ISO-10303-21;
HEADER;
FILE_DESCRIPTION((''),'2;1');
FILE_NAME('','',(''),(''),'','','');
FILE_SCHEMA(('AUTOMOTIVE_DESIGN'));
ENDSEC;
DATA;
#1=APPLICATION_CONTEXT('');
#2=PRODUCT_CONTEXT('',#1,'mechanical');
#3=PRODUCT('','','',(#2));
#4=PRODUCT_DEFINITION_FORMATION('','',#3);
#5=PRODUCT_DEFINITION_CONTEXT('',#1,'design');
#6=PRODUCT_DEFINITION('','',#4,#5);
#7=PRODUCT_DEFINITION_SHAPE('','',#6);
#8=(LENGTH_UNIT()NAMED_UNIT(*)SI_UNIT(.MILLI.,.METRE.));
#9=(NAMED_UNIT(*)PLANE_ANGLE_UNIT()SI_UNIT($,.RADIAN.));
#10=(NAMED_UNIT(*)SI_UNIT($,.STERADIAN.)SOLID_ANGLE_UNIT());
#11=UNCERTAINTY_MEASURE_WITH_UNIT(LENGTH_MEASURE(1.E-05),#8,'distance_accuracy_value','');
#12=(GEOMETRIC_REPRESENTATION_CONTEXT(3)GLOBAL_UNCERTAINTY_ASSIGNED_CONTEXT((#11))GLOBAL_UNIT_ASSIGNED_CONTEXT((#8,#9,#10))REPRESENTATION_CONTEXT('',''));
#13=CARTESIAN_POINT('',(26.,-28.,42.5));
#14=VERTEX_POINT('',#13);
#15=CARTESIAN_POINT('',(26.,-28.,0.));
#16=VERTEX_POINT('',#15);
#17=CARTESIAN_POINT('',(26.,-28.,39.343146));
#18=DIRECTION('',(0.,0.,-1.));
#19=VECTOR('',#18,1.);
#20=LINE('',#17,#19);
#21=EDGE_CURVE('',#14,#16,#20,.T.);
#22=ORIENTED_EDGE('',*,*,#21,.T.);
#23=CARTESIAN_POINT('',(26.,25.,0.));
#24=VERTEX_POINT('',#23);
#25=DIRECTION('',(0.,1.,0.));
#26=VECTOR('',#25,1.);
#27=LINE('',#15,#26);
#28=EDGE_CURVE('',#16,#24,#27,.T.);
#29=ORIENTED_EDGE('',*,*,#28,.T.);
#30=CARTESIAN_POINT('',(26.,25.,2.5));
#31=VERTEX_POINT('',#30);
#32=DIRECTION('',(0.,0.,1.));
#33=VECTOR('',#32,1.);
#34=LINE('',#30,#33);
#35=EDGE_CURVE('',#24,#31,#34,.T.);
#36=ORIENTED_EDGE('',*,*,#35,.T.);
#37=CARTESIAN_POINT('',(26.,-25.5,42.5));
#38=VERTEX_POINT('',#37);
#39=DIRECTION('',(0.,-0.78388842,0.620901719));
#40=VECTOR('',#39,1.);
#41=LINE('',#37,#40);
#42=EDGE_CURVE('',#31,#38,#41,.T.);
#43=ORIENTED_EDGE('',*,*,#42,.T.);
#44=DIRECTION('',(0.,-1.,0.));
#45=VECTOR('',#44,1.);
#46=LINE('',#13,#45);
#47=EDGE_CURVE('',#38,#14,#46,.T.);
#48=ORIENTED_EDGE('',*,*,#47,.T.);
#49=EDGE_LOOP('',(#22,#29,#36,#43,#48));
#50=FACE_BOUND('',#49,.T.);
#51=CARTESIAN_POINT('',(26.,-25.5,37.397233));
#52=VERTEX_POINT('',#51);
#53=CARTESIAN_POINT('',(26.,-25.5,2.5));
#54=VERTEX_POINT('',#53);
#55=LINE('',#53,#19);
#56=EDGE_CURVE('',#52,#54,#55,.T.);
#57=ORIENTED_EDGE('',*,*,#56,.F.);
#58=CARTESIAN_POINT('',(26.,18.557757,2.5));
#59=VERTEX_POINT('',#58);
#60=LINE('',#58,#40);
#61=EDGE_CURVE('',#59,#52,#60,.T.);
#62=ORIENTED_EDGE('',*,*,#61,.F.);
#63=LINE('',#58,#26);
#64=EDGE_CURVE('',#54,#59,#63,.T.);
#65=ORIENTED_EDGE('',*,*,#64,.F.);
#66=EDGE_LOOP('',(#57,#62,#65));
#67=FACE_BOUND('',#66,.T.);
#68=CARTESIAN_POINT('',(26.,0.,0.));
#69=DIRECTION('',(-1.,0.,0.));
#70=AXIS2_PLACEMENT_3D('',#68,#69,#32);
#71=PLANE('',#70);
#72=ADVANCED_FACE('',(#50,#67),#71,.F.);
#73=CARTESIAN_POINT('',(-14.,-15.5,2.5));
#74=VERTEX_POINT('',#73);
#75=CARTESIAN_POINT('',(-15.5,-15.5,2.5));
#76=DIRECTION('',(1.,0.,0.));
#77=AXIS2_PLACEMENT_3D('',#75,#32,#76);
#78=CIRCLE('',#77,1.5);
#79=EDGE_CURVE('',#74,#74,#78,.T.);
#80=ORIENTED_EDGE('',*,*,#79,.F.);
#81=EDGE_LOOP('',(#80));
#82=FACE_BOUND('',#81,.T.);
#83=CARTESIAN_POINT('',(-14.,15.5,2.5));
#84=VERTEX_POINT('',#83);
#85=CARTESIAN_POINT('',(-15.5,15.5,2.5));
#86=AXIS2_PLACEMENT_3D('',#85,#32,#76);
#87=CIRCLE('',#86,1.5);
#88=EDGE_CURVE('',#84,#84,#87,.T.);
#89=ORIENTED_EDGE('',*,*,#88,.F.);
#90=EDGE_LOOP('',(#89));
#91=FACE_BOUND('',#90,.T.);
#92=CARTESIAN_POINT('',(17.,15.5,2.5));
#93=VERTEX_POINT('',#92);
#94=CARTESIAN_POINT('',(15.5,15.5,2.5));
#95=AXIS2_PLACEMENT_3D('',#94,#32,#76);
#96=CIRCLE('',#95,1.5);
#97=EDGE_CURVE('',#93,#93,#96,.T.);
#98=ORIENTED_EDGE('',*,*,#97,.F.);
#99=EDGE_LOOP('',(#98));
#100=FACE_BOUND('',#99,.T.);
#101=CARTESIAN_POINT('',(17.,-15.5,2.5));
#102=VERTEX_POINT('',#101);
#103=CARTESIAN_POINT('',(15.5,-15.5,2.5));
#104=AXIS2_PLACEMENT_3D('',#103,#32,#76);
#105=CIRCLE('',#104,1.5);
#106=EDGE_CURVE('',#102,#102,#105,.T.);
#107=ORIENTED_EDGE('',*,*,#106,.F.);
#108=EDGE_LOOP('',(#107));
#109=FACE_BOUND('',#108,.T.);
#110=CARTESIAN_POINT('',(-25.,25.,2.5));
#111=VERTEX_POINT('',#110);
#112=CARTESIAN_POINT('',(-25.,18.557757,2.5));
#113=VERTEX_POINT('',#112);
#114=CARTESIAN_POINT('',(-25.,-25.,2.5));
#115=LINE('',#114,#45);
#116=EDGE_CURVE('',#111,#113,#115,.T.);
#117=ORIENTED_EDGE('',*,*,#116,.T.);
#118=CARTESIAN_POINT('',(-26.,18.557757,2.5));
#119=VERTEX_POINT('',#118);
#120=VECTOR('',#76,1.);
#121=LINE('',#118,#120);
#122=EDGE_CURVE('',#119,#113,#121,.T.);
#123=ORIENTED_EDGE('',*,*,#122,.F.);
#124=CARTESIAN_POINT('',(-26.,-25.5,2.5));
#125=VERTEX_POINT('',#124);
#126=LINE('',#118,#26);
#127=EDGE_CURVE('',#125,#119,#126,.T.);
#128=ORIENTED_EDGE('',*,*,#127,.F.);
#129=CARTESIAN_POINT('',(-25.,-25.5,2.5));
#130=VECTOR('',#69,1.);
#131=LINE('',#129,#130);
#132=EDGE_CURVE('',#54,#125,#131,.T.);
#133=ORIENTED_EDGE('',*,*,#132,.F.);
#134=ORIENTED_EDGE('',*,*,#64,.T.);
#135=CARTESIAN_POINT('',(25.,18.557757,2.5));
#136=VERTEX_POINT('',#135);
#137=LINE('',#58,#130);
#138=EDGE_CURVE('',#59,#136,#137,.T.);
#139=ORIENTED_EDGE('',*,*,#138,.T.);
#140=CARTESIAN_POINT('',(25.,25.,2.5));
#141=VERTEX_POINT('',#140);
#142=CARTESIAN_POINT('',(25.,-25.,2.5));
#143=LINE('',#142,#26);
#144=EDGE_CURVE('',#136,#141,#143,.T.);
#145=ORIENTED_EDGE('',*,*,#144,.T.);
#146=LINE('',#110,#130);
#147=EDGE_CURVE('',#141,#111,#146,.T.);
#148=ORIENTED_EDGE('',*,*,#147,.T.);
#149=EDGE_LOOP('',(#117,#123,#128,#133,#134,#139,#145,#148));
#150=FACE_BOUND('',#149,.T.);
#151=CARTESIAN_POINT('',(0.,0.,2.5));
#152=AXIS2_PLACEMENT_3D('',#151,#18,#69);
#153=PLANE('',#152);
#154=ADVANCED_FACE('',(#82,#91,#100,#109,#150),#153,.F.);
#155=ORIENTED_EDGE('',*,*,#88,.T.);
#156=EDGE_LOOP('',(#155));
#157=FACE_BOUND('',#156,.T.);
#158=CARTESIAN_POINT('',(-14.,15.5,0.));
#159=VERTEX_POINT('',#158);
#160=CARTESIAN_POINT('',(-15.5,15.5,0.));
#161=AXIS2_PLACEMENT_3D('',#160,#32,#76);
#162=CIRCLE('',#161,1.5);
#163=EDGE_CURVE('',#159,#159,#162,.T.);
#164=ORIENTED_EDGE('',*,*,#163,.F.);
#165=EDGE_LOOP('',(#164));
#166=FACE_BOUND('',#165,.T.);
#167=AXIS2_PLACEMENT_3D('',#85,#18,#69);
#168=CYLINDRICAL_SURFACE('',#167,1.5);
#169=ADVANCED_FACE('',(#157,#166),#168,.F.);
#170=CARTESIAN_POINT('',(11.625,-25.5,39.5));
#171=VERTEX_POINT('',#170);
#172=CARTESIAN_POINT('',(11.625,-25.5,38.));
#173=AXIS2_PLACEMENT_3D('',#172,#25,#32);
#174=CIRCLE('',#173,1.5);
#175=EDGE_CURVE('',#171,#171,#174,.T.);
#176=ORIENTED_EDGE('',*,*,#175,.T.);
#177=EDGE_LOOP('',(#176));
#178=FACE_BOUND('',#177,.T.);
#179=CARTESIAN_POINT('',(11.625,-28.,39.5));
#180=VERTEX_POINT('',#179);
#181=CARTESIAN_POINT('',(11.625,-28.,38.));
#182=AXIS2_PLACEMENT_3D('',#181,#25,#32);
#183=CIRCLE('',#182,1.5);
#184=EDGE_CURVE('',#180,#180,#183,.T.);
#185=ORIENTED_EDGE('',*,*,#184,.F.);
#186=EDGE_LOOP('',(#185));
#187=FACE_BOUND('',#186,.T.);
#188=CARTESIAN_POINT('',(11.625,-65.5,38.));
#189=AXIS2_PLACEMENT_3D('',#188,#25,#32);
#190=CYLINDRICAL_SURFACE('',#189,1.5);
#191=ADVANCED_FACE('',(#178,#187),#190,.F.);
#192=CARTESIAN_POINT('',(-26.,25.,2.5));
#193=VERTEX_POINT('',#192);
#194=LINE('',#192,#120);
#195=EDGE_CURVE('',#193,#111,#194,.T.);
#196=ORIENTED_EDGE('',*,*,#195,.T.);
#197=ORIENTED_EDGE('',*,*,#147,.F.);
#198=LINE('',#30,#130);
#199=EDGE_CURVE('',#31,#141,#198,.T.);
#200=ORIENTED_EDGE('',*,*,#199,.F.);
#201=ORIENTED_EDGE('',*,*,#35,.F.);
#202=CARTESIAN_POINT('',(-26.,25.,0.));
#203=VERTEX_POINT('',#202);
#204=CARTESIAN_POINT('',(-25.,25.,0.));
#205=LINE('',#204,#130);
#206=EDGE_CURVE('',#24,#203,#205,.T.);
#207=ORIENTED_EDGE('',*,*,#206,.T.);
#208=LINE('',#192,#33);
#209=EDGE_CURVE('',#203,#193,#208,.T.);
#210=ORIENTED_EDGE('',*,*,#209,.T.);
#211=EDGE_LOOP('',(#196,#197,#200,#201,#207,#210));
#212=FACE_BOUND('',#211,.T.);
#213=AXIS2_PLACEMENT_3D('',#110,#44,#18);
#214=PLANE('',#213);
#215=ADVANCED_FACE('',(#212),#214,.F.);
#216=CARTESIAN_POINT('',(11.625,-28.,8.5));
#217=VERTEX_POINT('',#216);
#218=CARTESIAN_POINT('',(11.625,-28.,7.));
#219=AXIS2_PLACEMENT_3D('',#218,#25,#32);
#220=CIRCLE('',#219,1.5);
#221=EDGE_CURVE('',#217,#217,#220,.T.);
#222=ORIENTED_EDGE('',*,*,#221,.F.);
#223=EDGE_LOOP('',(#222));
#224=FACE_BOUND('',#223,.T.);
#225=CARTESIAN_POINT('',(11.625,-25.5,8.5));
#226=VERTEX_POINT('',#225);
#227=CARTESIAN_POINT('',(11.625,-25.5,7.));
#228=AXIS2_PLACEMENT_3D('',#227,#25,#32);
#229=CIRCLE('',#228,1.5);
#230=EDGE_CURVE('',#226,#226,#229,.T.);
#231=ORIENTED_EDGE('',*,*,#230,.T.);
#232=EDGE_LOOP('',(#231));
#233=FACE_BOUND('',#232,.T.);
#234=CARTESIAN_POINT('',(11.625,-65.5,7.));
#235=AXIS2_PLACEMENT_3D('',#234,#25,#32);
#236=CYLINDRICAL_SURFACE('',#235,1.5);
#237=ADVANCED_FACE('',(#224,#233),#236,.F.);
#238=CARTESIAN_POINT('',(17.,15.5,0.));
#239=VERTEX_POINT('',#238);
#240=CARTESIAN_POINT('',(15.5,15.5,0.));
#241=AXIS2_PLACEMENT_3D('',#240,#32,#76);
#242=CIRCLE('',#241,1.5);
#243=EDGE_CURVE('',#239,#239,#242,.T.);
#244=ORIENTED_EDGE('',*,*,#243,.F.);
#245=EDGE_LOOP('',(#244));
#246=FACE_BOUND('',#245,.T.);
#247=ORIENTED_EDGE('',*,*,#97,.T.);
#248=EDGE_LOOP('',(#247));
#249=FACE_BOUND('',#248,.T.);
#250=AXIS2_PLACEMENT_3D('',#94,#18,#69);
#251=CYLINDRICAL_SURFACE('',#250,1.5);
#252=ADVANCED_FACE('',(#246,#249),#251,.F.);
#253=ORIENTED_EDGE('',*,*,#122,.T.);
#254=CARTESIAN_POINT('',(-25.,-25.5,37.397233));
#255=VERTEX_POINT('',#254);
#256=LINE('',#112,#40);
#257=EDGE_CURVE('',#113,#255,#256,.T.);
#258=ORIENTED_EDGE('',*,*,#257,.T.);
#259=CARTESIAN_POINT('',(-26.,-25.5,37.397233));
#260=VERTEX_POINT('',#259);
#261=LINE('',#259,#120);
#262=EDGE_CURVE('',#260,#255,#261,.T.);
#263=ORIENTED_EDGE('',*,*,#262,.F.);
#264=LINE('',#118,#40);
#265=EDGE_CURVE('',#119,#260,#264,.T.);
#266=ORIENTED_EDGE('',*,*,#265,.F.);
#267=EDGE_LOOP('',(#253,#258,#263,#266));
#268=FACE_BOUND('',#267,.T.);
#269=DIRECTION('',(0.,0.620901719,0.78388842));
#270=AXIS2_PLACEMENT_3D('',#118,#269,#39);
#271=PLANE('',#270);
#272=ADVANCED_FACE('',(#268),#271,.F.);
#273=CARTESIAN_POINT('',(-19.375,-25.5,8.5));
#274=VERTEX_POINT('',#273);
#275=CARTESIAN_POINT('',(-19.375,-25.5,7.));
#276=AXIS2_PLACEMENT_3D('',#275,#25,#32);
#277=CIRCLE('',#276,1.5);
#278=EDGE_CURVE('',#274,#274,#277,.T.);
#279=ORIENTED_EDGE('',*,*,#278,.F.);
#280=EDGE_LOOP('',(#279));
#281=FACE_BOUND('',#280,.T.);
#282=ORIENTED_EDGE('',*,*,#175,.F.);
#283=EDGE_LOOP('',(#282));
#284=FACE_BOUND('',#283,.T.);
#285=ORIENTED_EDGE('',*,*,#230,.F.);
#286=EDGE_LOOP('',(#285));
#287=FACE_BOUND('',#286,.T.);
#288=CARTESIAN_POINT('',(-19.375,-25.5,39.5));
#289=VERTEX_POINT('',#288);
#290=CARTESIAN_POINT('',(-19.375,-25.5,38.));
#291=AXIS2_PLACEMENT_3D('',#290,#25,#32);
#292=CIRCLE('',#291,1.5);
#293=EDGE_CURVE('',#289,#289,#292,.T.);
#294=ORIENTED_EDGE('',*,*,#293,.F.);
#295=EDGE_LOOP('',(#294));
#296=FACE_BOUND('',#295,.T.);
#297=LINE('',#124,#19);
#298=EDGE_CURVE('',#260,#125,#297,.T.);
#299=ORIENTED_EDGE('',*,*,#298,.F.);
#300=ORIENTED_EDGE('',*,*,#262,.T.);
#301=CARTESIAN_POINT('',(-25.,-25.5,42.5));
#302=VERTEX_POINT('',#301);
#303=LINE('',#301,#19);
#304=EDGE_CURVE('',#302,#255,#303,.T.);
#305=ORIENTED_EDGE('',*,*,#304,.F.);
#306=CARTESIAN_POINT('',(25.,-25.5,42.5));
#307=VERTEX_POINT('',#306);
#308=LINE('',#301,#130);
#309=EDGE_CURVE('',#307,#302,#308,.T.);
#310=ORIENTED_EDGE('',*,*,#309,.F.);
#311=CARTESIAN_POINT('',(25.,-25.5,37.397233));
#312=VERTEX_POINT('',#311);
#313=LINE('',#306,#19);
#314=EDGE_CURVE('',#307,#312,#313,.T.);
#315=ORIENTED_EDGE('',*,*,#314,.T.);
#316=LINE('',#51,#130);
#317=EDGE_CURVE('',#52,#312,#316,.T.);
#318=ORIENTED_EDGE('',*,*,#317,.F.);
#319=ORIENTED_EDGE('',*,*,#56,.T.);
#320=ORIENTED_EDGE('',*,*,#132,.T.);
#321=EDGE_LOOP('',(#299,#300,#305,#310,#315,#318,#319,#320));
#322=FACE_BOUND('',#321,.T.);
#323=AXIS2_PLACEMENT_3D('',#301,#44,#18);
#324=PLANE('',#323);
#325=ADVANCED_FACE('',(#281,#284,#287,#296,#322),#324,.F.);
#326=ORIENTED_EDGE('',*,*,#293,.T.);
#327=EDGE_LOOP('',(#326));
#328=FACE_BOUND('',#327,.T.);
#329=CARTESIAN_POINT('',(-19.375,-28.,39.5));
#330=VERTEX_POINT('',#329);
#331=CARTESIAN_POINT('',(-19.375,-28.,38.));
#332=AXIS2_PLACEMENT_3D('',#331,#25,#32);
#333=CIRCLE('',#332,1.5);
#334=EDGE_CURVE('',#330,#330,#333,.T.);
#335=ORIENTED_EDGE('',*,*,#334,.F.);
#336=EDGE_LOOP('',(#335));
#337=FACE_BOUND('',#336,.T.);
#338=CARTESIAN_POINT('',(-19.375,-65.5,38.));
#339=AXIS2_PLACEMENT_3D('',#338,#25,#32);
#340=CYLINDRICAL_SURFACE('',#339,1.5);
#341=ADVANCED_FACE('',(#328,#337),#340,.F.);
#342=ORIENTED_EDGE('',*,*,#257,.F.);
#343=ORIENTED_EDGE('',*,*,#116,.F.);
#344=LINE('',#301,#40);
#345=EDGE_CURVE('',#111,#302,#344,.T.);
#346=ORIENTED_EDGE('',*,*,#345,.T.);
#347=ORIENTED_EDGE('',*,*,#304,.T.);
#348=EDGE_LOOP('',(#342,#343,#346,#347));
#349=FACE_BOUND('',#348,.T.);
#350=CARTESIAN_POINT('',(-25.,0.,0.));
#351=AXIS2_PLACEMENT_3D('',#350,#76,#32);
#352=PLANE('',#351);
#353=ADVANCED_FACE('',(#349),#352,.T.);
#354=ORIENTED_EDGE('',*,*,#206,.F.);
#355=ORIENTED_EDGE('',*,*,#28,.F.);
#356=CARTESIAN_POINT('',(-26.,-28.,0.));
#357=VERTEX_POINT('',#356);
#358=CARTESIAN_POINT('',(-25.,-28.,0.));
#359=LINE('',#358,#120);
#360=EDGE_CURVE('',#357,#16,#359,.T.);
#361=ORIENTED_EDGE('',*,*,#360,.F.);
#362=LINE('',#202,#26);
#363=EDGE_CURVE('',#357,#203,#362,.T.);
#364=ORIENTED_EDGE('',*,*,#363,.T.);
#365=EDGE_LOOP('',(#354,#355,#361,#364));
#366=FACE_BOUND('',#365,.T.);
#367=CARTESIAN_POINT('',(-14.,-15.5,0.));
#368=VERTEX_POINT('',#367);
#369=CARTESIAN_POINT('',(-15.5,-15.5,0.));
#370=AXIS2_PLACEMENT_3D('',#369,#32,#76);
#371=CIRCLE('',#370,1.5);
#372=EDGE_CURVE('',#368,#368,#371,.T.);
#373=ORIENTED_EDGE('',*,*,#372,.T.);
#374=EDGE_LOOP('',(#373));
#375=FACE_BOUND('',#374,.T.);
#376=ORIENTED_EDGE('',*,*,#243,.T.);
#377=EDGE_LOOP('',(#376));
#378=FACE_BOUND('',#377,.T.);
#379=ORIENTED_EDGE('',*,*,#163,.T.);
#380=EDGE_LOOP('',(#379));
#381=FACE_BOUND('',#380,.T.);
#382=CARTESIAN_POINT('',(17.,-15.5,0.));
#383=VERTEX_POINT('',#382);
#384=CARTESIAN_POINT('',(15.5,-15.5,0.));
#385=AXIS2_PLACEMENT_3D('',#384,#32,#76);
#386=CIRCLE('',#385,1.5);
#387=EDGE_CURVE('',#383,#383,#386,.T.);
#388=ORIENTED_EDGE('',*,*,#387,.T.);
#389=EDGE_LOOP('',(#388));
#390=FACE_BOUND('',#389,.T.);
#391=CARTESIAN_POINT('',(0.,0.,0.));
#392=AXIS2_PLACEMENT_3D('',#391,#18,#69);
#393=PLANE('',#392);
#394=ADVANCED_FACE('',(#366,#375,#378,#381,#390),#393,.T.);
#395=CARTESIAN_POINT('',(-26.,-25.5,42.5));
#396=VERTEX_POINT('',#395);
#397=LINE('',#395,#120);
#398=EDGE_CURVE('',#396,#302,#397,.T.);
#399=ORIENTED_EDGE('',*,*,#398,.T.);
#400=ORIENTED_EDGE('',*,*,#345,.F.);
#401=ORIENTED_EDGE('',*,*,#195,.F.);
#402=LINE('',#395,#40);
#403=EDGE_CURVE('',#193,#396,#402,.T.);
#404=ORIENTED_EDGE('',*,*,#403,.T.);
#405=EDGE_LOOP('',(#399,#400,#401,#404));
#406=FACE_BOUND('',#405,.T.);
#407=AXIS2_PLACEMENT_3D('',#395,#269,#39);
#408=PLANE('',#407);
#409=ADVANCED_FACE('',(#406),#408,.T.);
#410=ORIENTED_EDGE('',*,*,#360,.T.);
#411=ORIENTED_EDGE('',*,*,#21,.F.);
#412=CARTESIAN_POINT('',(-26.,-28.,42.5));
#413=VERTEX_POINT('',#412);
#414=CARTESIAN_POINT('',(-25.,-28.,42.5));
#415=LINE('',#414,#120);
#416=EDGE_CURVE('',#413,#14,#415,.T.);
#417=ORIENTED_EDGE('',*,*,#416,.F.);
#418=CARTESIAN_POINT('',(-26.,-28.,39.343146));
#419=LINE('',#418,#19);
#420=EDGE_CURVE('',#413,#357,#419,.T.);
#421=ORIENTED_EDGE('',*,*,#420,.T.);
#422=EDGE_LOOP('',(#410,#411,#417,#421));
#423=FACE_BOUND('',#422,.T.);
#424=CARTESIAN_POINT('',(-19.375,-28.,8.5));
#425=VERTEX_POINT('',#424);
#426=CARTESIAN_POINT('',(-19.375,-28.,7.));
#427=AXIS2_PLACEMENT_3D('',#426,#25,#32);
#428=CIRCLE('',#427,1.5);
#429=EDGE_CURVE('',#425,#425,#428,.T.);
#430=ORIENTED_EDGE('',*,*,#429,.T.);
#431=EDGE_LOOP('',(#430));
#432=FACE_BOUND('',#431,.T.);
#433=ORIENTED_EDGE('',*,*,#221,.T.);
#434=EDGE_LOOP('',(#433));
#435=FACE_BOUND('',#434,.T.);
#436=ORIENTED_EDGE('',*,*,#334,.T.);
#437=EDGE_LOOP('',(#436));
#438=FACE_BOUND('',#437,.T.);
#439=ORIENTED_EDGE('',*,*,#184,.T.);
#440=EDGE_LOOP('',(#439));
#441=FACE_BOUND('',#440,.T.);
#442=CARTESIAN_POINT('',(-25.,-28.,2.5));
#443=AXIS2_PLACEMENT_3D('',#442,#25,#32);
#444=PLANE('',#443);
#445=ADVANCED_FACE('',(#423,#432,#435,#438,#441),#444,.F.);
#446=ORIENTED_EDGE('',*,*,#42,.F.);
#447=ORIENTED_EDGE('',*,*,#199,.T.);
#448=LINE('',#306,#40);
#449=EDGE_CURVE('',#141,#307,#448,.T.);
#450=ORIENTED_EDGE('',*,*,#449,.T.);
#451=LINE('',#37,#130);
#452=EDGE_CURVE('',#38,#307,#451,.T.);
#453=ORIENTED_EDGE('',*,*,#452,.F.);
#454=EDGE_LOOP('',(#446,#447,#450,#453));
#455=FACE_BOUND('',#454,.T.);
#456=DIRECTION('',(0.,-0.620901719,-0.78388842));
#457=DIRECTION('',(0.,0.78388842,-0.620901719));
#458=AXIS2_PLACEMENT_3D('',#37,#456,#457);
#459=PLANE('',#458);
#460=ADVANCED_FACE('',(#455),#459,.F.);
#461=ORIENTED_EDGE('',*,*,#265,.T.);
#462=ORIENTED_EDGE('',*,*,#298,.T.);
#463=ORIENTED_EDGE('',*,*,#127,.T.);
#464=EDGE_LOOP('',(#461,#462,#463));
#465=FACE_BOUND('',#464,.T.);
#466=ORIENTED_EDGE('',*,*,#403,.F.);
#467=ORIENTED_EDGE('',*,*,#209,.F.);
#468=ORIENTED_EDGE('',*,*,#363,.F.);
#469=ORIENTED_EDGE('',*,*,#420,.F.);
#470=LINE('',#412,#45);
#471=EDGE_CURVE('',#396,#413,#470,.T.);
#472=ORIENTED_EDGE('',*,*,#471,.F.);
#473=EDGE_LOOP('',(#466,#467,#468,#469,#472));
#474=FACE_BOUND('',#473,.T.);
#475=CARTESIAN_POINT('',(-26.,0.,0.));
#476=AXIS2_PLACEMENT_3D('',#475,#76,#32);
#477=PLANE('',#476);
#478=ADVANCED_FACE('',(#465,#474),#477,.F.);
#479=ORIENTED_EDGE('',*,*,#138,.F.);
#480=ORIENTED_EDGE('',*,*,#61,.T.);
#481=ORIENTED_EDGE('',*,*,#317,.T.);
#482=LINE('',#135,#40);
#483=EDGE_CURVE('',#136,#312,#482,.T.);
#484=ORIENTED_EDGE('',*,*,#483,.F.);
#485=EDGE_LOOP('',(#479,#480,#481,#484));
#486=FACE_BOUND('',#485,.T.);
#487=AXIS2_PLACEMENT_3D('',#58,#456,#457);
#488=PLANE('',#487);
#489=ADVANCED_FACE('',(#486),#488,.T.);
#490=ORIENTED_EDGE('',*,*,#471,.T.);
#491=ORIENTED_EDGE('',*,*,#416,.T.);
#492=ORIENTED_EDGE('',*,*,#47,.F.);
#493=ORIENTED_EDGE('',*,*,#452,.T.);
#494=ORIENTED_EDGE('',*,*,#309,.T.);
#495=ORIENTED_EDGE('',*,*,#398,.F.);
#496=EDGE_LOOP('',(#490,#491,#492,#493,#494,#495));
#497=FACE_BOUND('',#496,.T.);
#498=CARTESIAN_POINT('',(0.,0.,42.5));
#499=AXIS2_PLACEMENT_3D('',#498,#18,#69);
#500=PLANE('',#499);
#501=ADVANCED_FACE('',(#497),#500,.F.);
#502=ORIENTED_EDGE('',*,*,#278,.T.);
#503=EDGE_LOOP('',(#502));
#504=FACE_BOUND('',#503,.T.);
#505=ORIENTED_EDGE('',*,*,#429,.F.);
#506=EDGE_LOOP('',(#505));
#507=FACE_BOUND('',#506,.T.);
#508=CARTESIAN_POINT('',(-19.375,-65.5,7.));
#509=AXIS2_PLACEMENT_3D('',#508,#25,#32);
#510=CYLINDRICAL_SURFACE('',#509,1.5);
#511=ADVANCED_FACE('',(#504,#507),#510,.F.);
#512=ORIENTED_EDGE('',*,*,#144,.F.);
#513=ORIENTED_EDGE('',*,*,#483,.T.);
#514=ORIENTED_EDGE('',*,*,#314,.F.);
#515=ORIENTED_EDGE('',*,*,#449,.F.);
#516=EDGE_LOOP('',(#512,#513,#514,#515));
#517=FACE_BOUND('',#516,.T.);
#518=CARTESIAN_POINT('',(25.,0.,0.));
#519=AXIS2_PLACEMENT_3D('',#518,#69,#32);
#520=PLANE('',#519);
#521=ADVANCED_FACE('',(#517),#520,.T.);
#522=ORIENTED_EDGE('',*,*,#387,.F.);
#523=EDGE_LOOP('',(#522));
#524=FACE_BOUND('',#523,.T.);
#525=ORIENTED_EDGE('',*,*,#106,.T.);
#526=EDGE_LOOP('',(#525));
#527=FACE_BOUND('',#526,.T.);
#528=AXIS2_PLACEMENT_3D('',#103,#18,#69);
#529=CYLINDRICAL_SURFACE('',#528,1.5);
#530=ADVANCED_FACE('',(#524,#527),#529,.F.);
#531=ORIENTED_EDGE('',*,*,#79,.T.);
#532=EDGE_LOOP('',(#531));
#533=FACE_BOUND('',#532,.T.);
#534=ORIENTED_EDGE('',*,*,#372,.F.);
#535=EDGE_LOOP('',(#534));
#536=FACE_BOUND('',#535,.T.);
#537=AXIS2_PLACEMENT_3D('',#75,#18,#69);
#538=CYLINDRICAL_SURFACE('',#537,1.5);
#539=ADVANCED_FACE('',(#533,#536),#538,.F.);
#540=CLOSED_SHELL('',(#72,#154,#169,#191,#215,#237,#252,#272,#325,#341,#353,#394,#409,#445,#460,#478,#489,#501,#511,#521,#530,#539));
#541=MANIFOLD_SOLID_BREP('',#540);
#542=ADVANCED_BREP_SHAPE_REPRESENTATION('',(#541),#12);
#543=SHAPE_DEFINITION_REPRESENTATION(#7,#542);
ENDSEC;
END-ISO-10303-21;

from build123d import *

# Parameters (mm, degrees)
SKETCH1_R           = 1.5
BOSS_EXTRUDE1_DEPTH = 2.5
SKETCH2_W           = 50
SKETCH2_H           = 2.5
BOSS_EXTRUDE2_DEPTH = 40
SKETCH3_R           = 1.5
CUT_EXTRUDE1_DEPTH  = 40
BOSS_EXTRUDE3_DEPTH = 1


with BuildPart() as part:
    # Sketch1 → Boss-Extrude1 (new body)
    with BuildSketch(Plane.XY):
        Polygon((-25, -25), (-25, 25), (25, 25), (25, -25), (25, -28), (-25, -28), align=None)
        with Locations((-15.5, 15.5)):
            Circle(SKETCH1_R, mode=Mode.SUBTRACT)
        with Locations((15.5, 15.5)):
            Circle(SKETCH1_R, mode=Mode.SUBTRACT)
        with Locations((15.5, -15.5)):
            Circle(SKETCH1_R, mode=Mode.SUBTRACT)
        with Locations((-15.5, -15.5)):
            Circle(SKETCH1_R, mode=Mode.SUBTRACT)
    extrude(amount=BOSS_EXTRUDE1_DEPTH)

    # Sketch2 → Boss-Extrude2 (add)
    with BuildSketch(Plane.XY.offset(2.5)):
        with Locations((0, -26.75)):
            Rectangle(SKETCH2_W, SKETCH2_H)
    extrude(amount=BOSS_EXTRUDE2_DEPTH)

    # Sketch3 → Cut-Extrude1 (cut)
    with BuildSketch(Plane(origin=(0, -25.5, 0), x_dir=(1, 0, 0), z_dir=(0, 1, 0))):
        with Locations((-19.375, -7)):
            Circle(SKETCH3_R)
        with Locations((11.625, -7)):
            Circle(SKETCH3_R)
        with Locations((11.625, -38)):
            Circle(SKETCH3_R)
        with Locations((-19.375, -38)):
            Circle(SKETCH3_R)
    extrude(amount=-CUT_EXTRUDE1_DEPTH, mode=Mode.SUBTRACT)

    # Sketch5 → Boss-Extrude3 (add)
    with BuildSketch(Plane(origin=(25, 0, 0), x_dir=(0, 0, -1), z_dir=(1, 0, 0))):
        Polygon((-42.5, -25.5), (-2.5, 25), (0, 25), (0, 16.843145751), (0, -28), (-39.343145751, -28), (-42.5, -28), align=None)
        Polygon((-2.5, 18.557756602), (-37.397232952, -25.5), (-2.5, -25.5), align=None, mode=Mode.SUBTRACT)
    boss_extrude3 = extrude(amount=BOSS_EXTRUDE3_DEPTH)

    # Mirror1: Boss-Extrude3 across plane
    add(boss_extrude3.mirror(Plane(origin=(0, 0, 0), x_dir=(0, 0, 1), z_dir=(1, 0, 0))))


solid = part.part
